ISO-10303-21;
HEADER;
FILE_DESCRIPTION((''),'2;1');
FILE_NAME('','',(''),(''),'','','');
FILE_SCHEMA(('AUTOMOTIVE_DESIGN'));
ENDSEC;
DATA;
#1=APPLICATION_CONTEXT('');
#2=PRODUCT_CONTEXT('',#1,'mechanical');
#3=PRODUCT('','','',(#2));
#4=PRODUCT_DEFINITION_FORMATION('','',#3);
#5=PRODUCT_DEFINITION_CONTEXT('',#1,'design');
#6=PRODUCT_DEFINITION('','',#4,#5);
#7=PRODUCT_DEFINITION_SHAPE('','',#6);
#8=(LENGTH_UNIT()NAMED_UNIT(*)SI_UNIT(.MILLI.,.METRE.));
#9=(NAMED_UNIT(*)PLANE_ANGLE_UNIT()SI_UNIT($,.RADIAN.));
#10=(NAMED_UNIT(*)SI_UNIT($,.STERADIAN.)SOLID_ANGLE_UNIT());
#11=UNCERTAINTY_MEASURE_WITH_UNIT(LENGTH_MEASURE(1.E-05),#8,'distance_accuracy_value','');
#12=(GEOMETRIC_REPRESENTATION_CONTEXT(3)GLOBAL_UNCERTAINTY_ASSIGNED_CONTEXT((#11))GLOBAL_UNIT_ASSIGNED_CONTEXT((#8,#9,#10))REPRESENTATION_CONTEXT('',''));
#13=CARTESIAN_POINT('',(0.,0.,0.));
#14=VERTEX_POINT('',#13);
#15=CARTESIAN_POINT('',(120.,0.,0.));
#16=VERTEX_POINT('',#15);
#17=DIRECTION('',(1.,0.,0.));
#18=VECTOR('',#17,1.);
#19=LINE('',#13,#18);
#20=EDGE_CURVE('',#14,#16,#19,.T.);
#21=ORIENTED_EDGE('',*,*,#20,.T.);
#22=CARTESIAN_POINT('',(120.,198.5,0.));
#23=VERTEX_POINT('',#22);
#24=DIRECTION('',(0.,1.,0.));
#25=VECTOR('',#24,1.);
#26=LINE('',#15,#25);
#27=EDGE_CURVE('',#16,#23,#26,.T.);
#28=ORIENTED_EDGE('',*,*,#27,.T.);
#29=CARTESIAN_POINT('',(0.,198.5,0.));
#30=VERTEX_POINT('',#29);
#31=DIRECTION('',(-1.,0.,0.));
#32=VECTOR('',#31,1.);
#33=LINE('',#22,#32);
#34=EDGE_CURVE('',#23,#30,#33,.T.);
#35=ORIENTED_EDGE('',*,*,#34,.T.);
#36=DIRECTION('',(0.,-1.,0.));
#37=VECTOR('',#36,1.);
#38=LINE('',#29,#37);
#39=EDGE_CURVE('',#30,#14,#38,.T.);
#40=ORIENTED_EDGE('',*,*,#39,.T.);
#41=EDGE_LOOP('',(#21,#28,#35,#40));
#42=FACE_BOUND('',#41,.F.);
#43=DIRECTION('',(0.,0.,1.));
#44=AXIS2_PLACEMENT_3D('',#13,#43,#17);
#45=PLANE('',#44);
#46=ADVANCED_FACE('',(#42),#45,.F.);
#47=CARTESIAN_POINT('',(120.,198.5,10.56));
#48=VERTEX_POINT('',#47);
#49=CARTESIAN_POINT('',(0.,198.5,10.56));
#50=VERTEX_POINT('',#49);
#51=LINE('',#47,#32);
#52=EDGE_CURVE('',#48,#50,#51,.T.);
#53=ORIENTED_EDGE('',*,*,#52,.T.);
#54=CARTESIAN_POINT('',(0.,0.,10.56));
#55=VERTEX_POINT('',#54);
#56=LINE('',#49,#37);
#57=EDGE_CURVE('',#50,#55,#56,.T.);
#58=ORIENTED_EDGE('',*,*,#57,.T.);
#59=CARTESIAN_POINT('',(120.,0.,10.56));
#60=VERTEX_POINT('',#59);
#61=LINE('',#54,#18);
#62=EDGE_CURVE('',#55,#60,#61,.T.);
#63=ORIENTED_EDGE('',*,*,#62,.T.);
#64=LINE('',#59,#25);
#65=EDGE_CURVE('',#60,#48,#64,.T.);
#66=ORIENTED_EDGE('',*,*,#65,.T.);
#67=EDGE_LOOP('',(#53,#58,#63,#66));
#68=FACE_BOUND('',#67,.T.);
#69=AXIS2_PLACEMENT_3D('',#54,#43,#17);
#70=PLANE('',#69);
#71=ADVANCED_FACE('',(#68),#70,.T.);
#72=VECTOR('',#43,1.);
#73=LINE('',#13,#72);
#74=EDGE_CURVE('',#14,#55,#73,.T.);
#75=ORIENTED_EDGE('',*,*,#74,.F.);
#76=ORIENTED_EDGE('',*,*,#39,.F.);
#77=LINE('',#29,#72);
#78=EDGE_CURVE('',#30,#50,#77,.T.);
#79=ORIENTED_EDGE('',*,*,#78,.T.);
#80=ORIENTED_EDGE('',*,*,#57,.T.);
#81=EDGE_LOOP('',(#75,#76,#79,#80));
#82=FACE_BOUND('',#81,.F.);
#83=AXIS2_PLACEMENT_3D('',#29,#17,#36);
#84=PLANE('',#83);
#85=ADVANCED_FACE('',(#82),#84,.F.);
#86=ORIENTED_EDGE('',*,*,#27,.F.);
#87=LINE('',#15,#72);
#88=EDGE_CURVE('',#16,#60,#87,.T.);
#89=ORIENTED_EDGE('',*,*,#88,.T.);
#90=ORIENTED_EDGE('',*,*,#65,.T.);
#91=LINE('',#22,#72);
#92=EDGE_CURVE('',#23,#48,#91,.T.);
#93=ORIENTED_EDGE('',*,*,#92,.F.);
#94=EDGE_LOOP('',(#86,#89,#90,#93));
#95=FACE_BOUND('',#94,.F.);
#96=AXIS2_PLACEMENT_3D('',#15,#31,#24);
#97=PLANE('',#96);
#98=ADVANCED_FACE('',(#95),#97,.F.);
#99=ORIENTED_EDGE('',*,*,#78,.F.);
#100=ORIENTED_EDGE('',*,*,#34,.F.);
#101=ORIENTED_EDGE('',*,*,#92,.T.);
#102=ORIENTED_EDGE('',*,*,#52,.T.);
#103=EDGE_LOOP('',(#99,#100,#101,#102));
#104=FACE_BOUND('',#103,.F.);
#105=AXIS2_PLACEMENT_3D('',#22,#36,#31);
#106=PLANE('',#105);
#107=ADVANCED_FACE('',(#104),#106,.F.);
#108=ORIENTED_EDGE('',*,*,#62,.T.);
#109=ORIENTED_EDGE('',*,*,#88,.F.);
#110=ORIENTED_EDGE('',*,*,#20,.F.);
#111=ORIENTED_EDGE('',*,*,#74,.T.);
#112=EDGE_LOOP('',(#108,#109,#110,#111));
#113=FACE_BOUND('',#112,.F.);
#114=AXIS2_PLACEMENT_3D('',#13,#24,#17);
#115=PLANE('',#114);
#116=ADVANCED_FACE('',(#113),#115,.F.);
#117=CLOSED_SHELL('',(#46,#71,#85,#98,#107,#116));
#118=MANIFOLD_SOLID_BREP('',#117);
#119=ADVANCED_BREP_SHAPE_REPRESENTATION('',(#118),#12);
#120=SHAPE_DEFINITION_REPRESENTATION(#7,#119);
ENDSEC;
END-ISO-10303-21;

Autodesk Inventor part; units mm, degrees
ref_plane "YZ Plane" through (0, 0, 0) normal (1, 0, 0) x (0, 1, 0)
ref_plane "XZ Plane" through (0, 0, 0) normal (0, 1, 0) x (-1, 0, 0)
ref_plane "XY Plane" through (0, 0, 0) normal (0, 0, 1) x (1, 0, 0)
sketch "Sketch1" plane through (0, 0, 0) normal (0, 0, 1) x (1, 0, 0)
  line L0 (0, 0) -> (120, 0)
  line L1 (120, 0) -> (120, 198.5)
  line L2 (120, 198.5) -> (0, 198.5)
  line L3 (0, 198.5) -> (0, 0)
  dimension "TabletHeight" = 198.5
  dimension "TabletWidth" = 120
extrude "Extrusion1" add sketch "Sketch1" along normal blind 10.56
properties part number "Nexus7"
